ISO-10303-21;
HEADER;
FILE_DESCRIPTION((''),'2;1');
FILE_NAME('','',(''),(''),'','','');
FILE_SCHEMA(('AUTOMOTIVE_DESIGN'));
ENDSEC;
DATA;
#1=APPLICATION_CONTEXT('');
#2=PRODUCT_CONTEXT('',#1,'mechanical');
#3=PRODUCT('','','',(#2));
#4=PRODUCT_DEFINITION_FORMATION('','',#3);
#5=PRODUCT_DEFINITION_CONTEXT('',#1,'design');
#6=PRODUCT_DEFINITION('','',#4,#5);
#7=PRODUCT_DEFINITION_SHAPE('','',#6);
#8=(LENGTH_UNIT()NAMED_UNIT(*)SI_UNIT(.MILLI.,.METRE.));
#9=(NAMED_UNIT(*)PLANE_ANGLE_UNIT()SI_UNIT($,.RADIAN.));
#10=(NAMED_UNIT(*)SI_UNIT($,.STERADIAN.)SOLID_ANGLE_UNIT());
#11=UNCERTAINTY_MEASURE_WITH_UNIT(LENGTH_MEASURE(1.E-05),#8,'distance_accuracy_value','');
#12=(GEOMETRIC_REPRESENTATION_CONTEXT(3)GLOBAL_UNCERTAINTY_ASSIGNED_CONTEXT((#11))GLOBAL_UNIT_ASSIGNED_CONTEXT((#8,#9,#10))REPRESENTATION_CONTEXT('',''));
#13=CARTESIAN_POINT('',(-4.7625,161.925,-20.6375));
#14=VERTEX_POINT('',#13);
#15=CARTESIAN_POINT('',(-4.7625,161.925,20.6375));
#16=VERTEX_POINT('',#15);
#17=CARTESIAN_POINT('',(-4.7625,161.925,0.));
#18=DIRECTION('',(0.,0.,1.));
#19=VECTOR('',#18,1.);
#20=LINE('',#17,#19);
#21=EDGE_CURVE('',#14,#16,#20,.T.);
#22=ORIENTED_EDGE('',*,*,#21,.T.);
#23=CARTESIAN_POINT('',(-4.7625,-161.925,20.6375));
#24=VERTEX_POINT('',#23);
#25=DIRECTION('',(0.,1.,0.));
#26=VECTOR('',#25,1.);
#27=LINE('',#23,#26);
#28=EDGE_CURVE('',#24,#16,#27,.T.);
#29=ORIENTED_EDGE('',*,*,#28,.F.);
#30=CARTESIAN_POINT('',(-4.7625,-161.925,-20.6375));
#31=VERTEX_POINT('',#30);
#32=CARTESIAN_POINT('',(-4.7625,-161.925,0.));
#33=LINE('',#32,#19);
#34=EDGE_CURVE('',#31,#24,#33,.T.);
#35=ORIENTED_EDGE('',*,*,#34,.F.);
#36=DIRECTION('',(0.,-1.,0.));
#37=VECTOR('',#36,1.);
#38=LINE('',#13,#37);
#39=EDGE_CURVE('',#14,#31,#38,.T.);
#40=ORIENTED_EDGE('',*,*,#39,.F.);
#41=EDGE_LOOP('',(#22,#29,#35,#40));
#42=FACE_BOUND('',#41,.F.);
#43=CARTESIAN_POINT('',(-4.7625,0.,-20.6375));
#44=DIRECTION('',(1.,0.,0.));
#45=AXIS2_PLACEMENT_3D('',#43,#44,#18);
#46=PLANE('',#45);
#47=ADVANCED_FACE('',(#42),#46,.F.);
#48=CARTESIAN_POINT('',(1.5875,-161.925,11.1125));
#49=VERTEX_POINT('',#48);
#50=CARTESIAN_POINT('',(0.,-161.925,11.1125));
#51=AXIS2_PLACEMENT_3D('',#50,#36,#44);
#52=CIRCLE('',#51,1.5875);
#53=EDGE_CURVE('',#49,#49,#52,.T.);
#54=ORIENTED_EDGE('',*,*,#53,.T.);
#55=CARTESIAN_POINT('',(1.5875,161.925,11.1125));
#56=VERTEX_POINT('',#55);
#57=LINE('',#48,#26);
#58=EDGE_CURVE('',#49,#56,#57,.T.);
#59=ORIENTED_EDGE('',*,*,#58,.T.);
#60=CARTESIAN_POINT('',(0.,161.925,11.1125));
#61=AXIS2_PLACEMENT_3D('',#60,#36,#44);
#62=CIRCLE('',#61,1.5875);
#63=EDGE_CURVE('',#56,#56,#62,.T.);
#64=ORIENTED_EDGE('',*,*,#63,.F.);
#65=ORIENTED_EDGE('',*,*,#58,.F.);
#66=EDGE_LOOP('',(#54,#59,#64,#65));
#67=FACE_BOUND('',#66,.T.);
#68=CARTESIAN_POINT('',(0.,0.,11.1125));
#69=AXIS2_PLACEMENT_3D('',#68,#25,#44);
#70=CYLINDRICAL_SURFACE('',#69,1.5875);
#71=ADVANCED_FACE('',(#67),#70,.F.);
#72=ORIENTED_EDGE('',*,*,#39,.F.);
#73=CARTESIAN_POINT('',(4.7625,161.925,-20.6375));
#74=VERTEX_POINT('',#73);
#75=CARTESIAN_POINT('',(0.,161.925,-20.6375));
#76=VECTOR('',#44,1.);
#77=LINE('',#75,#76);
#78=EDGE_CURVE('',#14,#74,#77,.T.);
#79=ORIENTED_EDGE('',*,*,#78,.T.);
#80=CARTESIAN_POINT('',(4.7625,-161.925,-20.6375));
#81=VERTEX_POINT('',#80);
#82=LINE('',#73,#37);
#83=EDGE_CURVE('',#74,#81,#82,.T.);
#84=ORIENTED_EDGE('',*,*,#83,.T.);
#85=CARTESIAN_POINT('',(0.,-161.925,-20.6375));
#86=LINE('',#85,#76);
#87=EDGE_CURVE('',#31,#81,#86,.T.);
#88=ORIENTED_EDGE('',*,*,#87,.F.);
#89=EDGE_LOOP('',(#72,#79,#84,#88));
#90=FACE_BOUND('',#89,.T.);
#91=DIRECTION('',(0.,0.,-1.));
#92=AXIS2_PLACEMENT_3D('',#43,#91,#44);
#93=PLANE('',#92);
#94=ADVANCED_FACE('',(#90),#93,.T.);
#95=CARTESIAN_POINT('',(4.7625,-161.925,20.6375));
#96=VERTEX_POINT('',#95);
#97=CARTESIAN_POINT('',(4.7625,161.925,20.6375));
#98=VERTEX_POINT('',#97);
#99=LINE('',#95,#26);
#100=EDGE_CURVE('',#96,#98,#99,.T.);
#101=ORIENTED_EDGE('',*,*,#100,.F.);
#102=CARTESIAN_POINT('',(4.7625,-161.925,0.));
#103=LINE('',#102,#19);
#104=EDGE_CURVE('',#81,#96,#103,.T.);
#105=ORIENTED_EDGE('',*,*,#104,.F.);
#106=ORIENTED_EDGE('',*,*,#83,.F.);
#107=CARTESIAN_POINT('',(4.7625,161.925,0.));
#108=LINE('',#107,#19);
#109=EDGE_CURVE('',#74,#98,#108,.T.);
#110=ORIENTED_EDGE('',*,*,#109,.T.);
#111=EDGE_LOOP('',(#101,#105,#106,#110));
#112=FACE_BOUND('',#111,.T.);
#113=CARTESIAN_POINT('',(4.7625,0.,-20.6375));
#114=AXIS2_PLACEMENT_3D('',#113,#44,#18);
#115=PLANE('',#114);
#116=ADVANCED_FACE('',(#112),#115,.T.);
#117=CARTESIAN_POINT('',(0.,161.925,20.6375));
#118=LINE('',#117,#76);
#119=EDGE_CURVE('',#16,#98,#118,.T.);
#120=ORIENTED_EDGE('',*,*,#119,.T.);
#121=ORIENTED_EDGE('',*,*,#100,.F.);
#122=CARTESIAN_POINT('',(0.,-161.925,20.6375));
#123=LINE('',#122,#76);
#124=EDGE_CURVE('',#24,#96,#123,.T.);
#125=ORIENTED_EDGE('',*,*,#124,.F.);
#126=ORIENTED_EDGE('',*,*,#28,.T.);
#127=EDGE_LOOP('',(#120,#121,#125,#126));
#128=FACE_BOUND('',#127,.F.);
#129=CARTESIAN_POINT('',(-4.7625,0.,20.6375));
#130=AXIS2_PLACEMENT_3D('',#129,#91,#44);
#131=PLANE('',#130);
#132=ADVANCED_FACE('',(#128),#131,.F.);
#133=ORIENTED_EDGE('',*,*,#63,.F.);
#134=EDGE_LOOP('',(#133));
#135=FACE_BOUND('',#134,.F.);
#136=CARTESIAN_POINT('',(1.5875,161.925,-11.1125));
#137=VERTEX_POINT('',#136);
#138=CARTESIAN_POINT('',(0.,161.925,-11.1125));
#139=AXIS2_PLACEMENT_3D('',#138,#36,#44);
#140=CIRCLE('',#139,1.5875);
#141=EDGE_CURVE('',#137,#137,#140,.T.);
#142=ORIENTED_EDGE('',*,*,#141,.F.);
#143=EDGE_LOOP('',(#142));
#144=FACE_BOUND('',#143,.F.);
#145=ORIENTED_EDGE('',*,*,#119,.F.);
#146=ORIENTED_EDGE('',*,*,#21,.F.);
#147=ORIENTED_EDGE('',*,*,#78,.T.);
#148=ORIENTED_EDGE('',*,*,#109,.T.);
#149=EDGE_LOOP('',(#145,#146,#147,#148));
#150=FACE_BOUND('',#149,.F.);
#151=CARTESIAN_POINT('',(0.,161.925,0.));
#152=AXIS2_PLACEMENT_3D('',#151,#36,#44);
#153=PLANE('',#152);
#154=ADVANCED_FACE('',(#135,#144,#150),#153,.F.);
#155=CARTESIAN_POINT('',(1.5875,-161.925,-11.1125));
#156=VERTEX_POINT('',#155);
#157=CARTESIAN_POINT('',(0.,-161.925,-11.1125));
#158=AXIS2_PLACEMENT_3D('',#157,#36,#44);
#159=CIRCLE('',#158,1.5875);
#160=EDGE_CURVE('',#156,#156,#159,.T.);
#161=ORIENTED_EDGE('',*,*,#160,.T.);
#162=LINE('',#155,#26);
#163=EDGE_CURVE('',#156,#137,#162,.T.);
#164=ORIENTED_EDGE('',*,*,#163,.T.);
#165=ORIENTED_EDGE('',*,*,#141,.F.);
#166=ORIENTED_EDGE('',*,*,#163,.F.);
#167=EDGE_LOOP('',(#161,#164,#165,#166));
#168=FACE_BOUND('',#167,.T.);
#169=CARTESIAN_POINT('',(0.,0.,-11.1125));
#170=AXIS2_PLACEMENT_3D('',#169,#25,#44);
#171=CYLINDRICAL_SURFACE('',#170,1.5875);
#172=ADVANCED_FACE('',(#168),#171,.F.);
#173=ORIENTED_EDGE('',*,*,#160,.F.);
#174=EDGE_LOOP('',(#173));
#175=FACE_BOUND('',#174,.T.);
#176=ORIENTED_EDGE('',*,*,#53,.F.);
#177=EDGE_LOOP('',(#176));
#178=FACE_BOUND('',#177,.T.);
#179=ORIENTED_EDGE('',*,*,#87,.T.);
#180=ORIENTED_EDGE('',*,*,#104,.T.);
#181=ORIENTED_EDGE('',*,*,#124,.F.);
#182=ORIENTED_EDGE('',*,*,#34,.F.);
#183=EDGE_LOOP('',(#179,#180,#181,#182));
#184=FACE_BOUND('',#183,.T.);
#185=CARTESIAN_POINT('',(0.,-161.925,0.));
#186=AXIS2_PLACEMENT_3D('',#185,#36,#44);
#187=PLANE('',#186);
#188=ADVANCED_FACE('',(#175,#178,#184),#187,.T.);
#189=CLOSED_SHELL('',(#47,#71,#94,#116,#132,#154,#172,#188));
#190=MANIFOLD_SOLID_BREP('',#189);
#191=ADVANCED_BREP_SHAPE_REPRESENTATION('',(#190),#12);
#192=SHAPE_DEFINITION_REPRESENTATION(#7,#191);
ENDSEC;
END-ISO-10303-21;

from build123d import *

# Parameters (mm, degrees)
F0_W     = 9.525
F0_H     = 41.275
F0_R     = 1.5875
F1_DEPTH = 161.925


with BuildPart() as f1:
    # F0 (on Front) → F1 (new body, symmetric)
    with BuildSketch(Plane.XZ):
        Rectangle(F0_W, F0_H)
        with Locations((0, -11.1125)):
            Circle(F0_R, mode=Mode.SUBTRACT)
        with Locations((0, 11.1125)):
            Circle(F0_R, mode=Mode.SUBTRACT)
    extrude(amount=F1_DEPTH, both=True)


solid = f1.part
